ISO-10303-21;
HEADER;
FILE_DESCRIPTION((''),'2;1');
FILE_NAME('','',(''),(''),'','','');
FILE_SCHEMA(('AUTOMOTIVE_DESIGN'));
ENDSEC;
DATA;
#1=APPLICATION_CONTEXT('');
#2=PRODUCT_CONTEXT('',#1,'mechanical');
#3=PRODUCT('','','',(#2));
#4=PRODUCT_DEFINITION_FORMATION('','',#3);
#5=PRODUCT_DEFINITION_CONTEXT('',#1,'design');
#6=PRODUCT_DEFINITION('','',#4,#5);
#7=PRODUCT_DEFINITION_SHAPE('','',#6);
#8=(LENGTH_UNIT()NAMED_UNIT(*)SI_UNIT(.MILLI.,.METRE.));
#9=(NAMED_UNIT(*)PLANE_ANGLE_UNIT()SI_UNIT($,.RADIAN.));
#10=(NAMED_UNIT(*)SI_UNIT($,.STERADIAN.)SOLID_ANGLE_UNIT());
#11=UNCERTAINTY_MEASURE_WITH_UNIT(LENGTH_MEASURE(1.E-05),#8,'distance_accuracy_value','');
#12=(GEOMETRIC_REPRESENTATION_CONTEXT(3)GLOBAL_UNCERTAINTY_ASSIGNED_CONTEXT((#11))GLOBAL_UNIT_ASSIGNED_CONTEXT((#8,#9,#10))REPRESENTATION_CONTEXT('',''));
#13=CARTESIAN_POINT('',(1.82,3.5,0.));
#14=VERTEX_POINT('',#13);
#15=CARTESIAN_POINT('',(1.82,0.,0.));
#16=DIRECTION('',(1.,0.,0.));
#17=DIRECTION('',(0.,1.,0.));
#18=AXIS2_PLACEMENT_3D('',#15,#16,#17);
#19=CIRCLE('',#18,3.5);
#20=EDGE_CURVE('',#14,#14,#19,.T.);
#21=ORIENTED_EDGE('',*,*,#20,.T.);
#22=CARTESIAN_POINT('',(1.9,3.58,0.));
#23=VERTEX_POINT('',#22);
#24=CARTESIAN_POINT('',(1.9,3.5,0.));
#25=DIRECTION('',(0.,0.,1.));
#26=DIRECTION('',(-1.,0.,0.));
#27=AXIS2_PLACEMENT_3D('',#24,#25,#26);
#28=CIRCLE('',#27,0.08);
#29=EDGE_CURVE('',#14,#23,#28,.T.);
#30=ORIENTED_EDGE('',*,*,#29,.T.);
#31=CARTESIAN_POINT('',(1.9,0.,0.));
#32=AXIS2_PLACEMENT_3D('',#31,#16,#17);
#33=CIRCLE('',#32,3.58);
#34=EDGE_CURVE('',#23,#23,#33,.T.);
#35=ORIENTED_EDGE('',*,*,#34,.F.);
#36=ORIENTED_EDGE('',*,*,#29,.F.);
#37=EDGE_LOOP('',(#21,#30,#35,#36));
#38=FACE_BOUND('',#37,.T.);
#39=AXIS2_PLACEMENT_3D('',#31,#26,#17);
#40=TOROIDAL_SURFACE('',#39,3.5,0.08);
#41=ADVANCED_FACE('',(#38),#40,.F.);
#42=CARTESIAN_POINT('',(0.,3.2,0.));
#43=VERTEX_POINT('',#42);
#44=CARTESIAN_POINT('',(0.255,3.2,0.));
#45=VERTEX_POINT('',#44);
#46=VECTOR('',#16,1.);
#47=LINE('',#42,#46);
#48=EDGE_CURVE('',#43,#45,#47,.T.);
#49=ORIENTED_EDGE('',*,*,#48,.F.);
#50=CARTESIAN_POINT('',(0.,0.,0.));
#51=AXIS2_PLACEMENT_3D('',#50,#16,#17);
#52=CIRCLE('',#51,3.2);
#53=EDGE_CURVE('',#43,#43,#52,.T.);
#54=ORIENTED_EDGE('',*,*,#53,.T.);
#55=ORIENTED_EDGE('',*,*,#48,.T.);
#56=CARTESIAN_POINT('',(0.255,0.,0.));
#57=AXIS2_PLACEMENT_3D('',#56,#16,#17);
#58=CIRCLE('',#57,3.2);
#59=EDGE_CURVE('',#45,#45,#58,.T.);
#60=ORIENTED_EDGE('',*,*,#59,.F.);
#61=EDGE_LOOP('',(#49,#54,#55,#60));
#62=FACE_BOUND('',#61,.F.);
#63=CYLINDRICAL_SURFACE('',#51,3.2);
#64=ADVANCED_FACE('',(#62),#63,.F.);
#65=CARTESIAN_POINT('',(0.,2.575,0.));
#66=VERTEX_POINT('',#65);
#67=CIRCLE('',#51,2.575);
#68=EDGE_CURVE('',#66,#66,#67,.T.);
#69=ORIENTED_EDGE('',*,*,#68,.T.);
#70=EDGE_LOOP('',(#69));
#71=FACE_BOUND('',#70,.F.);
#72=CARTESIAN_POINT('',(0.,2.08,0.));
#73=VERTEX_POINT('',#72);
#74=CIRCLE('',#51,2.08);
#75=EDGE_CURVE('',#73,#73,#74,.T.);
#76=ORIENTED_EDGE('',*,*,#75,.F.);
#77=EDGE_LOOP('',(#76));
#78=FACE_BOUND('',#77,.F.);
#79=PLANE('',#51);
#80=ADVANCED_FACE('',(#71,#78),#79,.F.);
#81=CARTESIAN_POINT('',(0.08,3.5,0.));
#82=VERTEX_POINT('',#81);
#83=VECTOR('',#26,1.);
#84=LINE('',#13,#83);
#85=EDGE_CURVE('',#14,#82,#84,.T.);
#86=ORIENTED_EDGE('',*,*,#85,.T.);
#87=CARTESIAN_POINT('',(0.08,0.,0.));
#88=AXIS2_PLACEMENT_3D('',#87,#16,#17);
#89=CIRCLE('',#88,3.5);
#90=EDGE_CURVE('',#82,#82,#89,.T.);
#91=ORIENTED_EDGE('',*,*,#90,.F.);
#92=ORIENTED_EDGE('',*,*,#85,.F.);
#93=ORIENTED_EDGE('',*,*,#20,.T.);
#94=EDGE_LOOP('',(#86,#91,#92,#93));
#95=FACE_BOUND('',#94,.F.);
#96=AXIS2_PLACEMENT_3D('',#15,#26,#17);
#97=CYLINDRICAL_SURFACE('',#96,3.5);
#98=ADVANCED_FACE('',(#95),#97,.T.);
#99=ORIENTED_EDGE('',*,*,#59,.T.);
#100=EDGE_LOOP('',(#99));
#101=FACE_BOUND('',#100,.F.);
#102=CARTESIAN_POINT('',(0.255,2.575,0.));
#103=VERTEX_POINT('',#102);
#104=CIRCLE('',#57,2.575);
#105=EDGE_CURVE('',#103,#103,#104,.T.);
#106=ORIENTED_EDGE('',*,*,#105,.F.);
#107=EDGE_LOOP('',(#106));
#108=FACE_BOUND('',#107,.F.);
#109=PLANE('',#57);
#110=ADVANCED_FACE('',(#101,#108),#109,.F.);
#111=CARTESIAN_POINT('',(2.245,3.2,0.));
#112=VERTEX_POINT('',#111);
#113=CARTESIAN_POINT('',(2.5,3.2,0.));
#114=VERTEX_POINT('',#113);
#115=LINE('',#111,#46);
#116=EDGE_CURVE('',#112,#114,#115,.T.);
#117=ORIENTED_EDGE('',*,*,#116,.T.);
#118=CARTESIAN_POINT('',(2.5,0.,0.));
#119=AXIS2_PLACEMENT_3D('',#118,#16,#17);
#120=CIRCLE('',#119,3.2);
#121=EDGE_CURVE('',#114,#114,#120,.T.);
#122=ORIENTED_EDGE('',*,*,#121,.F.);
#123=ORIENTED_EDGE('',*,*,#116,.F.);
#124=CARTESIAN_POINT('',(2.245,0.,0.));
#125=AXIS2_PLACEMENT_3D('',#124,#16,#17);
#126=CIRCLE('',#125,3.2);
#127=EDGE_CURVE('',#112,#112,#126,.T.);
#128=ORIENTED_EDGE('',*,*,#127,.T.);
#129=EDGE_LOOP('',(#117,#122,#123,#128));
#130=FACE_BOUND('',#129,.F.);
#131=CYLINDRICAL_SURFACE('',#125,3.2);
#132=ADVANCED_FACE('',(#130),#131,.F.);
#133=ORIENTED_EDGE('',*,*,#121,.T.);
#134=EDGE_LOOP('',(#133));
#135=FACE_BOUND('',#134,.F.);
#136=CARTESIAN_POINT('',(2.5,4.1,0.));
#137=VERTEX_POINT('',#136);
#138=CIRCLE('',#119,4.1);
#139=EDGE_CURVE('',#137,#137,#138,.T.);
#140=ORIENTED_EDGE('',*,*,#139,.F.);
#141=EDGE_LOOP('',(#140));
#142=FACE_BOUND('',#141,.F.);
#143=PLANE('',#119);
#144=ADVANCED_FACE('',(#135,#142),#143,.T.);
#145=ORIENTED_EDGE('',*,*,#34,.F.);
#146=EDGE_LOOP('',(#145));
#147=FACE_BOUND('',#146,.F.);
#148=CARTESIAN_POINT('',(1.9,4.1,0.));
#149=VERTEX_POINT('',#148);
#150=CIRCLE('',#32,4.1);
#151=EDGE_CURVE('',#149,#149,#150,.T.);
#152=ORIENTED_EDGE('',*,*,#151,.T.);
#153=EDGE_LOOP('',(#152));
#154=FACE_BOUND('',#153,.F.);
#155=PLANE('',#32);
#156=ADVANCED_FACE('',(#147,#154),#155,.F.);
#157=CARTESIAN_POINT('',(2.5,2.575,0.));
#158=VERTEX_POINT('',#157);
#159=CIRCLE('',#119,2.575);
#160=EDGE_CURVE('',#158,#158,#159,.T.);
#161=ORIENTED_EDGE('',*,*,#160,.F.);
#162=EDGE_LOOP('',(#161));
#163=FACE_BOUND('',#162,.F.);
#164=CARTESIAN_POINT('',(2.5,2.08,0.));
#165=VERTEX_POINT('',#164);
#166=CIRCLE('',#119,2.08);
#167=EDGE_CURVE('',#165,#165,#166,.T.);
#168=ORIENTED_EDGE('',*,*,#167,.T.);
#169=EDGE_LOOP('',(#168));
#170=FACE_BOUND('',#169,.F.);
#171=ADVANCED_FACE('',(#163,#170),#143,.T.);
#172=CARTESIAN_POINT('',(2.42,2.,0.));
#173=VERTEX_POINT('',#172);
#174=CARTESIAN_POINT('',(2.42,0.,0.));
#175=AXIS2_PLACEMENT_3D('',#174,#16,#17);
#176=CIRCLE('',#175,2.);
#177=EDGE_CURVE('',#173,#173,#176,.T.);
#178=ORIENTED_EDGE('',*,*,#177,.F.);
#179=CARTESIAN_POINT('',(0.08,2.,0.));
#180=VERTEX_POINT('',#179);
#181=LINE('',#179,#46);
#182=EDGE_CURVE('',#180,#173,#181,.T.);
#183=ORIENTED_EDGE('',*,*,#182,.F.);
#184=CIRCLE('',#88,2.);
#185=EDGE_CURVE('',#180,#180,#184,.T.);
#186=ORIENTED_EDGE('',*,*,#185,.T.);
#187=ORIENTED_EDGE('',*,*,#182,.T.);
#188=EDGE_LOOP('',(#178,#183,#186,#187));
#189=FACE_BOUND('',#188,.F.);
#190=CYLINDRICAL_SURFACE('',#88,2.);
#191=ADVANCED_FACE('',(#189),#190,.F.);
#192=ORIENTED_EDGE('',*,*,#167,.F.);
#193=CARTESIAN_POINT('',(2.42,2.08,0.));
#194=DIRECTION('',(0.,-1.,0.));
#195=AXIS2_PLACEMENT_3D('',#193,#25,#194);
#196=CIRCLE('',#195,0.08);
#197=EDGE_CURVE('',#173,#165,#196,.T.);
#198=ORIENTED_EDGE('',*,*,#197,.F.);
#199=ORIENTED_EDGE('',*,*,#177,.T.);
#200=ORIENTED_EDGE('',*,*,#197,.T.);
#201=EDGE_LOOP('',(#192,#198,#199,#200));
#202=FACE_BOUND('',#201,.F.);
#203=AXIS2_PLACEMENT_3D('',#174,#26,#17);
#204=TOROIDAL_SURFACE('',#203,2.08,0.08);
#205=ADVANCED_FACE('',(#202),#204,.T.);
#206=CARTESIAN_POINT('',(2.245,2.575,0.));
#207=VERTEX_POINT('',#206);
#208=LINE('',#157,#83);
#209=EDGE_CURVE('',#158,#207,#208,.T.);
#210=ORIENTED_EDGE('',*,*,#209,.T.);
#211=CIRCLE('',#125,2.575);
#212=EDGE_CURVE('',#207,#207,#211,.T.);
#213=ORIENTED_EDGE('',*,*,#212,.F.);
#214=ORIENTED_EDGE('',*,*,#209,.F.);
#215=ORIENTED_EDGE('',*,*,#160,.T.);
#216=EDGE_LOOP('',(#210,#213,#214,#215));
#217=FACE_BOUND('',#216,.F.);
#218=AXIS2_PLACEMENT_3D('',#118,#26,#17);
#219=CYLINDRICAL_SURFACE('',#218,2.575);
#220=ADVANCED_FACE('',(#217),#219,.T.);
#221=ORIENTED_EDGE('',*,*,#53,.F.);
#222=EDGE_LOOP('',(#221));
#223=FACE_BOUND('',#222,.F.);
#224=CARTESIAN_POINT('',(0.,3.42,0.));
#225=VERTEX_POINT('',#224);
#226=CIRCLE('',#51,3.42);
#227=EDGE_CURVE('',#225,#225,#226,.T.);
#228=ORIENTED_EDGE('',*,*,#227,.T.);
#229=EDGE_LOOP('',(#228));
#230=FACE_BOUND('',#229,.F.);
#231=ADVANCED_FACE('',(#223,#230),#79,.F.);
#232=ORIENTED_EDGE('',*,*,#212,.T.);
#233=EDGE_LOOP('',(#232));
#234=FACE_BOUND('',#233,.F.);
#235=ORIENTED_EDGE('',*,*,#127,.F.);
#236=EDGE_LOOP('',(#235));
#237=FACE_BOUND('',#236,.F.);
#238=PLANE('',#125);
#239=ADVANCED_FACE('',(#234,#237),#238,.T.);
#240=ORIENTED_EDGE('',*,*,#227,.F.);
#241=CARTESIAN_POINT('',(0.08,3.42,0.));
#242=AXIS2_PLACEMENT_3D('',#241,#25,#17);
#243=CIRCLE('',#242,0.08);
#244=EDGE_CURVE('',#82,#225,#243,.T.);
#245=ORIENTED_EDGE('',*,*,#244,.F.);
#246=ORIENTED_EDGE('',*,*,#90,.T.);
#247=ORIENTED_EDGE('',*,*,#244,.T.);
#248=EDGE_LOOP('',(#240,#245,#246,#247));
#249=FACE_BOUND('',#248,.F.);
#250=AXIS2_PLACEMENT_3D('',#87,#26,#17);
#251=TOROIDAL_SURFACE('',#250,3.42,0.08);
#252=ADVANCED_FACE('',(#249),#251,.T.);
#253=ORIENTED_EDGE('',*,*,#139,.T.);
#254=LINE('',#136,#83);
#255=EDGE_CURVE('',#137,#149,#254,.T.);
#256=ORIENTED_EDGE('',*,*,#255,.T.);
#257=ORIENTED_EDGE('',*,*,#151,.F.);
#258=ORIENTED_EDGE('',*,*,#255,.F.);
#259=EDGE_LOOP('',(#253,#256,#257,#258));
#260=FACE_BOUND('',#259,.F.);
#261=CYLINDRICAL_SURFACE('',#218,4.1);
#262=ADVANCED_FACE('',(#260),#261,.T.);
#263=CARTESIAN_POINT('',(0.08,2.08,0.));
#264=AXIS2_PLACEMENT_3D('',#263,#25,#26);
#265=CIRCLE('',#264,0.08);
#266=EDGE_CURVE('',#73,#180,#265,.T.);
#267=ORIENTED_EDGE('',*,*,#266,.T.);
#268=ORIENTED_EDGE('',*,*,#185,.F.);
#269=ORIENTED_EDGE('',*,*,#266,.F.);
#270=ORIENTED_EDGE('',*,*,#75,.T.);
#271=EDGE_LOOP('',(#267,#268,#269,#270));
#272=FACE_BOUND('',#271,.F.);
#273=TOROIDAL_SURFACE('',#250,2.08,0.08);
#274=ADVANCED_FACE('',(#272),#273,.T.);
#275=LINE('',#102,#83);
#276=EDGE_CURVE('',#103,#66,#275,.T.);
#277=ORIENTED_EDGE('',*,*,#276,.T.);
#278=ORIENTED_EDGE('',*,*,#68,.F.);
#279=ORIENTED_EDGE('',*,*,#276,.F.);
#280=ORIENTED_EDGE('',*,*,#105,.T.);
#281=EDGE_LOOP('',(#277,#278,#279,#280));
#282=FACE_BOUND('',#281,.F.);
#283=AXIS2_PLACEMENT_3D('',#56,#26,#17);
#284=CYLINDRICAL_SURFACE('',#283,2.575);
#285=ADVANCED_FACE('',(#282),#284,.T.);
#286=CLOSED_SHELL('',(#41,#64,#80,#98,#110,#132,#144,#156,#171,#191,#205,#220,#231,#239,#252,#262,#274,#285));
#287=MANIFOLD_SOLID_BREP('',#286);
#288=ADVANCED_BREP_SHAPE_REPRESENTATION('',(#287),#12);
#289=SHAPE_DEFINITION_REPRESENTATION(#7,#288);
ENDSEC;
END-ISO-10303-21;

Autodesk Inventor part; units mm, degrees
sketch "Sketch_1" plane through (0, 0, 0) normal (0, 0, 1) x (1, 0, 0)
  line L0 (7, 0) -> (-7, 0)
  arc A0 (0, 2.08) -> (0.08, 2) centre (0.08, 2.08) ccw
  line L1 (0.08, 2) -> (2.42, 2)
  arc A1 (2.42, 2) -> (2.5, 2.08) centre (2.42, 2.08) ccw
  line L2 (2.5, 2.08) -> (2.5, 2.575)
  line L3 (2.5, 2.575) -> (2.245, 2.575)
  line L4 (2.245, 2.575) -> (2.245, 3.2)
  line L5 (2.245, 3.2) -> (2.5, 3.2)
  line L6 (2.5, 3.2) -> (2.5, 4.1)
  line L7 (2.5, 4.1) -> (1.9, 4.1)
  line L8 (1.9, 4.1) -> (1.9, 3.58)
  arc A2 (1.82, 3.5) -> (1.9, 3.58) centre (1.9, 3.5) ccw
  line L9 (1.82, 3.5) -> (0.08, 3.5)
  arc A3 (0.08, 3.5) -> (0, 3.42) centre (0.08, 3.42) ccw
  line L10 (0, 3.42) -> (0, 3.2)
  line L11 (0, 3.2) -> (0.255, 3.2)
  line L12 (0.255, 3.2) -> (0.255, 2.575)
  line L13 (0.255, 2.575) -> (0, 2.575)
  line L14 (0, 2.575) -> (0, 2.08)
revolve "Revolution1" add sketch "Sketch_1" angle 360 about axis through (7, 0, 0) along (1, 0, 0)
ref_plane "to_housing_XY" through (0, 0, 0) normal (1, 0, 0) x (0, 0, -1)
ref_plane "to_housing_YZ" through (0, 0, 0) normal (0, 0, -1) x (0, 1, 0)
ref_plane "to_housing_ZX" through (0, 0, 0) normal (0, 1, 0) x (1, 0, 0)
properties part number "FL674ZZ"
